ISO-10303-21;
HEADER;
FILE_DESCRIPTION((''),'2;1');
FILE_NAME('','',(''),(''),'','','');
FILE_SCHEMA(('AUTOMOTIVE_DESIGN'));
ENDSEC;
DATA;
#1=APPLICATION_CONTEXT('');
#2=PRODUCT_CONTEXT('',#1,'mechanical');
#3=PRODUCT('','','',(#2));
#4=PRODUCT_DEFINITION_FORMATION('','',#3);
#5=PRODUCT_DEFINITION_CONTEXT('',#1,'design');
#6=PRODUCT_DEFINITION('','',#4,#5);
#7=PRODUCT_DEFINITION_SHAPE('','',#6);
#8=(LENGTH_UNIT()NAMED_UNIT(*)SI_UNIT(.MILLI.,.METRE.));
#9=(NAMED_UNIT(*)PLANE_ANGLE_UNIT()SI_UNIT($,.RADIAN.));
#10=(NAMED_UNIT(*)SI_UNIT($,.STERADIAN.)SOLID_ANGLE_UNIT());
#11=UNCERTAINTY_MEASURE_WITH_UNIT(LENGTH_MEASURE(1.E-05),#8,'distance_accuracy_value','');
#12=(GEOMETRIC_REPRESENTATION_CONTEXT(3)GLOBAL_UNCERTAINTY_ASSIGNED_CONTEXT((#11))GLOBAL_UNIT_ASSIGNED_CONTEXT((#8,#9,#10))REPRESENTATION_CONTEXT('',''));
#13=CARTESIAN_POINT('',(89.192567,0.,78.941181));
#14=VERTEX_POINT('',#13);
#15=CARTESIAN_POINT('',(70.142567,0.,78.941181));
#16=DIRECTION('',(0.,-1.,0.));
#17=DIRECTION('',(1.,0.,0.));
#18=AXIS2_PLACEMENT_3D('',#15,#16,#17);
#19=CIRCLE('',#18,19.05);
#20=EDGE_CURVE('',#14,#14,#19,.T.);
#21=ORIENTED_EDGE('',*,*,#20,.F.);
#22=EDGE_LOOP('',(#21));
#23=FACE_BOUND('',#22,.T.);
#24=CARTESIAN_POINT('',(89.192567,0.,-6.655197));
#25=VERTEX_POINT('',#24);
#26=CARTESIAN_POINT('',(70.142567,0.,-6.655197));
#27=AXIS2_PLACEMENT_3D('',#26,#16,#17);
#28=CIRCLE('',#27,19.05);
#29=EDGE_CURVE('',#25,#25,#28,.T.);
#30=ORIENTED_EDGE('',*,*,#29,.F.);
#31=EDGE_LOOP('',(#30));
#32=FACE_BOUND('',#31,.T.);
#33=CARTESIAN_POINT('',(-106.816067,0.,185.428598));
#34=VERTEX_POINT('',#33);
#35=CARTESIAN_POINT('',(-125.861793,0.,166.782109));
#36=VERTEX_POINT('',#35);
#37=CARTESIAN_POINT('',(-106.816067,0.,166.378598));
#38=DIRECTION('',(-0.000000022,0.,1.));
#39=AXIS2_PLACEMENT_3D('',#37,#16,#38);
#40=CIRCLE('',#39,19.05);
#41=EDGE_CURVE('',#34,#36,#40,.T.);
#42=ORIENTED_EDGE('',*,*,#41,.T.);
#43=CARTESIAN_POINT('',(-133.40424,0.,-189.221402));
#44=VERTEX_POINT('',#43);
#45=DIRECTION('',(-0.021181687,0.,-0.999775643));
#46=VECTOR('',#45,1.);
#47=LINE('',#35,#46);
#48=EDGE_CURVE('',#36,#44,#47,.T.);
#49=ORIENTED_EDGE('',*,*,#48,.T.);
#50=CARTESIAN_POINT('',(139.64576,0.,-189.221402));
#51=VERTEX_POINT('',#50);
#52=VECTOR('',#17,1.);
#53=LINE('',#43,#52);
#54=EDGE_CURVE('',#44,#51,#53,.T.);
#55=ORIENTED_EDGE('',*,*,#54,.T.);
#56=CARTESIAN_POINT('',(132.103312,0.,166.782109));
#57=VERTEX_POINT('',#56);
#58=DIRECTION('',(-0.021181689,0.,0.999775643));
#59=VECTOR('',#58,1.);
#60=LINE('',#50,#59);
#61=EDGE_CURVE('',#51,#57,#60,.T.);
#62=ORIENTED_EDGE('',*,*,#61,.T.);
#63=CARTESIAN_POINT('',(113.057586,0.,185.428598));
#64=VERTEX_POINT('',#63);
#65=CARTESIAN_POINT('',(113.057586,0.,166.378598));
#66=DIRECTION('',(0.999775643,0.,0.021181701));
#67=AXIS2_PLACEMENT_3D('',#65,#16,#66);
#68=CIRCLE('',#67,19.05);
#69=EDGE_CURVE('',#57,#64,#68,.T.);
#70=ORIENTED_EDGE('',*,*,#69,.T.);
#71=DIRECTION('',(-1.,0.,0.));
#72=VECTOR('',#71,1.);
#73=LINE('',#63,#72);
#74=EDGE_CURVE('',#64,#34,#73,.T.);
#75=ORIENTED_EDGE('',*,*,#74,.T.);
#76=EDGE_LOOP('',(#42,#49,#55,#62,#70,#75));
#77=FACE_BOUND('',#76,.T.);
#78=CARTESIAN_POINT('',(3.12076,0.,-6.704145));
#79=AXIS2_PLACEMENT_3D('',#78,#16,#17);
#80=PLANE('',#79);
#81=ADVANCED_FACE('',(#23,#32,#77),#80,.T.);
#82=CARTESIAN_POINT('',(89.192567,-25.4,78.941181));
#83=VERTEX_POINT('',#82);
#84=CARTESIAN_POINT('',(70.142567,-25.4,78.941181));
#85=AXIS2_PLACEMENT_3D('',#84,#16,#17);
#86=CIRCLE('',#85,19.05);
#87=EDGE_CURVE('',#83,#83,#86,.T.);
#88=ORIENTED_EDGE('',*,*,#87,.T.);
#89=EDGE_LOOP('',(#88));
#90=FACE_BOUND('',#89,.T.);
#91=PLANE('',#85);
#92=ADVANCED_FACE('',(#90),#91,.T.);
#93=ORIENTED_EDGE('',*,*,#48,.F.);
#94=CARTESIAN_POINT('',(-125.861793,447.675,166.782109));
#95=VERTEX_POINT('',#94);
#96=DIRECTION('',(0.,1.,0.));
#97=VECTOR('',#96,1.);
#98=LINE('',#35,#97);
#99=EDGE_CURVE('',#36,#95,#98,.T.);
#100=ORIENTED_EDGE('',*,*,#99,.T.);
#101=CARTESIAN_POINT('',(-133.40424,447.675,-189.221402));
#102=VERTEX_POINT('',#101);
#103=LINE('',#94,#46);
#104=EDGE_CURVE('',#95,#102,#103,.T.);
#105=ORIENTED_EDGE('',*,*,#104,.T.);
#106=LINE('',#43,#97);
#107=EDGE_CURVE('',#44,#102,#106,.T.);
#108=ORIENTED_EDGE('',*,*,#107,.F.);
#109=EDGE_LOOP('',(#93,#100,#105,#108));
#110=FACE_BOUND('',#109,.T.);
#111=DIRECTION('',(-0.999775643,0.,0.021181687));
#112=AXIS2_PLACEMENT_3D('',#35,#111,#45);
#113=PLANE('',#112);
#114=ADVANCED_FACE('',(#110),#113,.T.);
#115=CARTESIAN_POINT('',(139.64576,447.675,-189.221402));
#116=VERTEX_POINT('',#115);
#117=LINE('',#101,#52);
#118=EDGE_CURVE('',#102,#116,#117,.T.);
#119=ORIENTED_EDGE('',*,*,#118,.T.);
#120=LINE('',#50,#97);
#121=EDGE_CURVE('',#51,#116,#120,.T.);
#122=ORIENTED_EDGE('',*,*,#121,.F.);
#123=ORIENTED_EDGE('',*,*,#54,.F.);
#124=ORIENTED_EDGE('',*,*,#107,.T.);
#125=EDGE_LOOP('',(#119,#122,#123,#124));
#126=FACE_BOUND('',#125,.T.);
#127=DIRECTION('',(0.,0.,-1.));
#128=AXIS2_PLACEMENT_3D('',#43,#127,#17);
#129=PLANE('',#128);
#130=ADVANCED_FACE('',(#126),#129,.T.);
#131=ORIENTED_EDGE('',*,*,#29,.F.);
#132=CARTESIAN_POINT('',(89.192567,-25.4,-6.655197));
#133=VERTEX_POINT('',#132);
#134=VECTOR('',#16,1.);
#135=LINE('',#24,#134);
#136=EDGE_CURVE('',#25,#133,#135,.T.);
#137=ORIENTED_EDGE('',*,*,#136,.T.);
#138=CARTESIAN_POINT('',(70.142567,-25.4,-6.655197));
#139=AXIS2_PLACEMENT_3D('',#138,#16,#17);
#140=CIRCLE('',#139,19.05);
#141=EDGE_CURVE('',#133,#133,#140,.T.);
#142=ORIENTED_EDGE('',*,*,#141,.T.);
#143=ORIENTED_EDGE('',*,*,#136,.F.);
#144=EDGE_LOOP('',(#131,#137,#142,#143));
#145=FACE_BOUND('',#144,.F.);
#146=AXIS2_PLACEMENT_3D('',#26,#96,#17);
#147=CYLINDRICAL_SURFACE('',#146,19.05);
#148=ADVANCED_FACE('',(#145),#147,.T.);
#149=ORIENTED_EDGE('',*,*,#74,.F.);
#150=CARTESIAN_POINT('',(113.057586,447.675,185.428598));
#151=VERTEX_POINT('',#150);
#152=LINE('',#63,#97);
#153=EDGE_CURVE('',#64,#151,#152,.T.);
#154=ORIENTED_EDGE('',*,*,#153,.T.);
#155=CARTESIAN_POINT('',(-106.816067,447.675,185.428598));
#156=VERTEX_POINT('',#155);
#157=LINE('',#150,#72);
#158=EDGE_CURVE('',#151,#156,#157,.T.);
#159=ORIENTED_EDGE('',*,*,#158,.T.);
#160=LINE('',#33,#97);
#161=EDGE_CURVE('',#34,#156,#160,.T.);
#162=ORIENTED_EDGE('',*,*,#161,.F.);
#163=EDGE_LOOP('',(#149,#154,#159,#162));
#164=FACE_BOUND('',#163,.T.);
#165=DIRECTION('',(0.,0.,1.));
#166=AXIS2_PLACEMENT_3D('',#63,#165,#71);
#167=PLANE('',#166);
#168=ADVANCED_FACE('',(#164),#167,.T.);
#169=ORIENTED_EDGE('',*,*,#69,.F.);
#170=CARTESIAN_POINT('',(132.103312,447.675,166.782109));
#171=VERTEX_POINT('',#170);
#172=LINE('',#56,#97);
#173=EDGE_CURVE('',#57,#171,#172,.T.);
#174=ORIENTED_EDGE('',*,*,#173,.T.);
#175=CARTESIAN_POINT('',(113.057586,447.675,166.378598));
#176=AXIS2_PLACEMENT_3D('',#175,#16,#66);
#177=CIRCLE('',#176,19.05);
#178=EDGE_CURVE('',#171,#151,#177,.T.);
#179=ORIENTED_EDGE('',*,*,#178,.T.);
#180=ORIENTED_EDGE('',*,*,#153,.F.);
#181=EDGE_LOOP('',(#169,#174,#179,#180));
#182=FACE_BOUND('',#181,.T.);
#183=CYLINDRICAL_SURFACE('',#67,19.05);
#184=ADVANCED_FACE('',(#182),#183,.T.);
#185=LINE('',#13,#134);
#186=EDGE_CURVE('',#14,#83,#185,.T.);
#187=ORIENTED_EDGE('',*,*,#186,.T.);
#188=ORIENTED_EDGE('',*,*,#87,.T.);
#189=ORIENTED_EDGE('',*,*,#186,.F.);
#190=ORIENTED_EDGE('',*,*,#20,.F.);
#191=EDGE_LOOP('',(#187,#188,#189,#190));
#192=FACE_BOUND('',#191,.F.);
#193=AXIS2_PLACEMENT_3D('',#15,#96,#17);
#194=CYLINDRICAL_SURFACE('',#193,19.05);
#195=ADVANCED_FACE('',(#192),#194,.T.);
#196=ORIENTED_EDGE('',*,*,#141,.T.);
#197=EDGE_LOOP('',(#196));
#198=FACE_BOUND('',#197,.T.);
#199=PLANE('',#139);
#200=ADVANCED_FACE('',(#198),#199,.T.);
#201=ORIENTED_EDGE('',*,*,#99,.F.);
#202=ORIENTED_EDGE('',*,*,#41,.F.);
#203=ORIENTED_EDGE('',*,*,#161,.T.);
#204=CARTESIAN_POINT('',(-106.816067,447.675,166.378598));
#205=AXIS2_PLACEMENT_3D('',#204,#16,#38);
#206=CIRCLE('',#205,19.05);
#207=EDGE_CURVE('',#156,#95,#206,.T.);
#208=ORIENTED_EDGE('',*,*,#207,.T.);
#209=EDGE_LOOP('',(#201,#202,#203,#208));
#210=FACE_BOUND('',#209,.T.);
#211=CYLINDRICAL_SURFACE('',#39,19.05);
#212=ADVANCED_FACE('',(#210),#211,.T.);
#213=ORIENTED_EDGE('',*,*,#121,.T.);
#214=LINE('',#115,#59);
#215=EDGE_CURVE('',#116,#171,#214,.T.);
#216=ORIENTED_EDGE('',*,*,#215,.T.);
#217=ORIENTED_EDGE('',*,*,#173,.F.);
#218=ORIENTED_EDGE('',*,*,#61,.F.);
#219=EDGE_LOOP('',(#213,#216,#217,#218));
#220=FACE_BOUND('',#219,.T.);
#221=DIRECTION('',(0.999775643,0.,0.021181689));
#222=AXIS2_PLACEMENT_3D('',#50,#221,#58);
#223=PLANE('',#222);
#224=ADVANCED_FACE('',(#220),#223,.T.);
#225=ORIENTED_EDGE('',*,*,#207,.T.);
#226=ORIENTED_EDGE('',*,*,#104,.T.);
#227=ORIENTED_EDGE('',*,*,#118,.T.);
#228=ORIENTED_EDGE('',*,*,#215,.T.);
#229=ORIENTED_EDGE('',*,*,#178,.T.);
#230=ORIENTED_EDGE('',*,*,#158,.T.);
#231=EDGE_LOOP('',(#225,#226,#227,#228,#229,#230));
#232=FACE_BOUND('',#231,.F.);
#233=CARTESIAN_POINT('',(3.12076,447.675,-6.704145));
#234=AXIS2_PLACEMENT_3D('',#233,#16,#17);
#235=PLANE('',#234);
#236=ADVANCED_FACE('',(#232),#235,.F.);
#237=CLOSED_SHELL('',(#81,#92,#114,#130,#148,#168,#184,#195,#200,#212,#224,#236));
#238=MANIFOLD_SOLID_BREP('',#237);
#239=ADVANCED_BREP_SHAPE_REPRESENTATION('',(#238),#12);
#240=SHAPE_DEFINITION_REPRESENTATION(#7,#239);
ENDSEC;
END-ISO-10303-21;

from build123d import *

# Parameters (mm, degrees)
F1_DEPTH = 447.675
F2_R     = 19.05
F3_DEPTH = 25.4


with BuildPart() as f1:
    # F0 (on Front) → F1 (new body)
    with BuildSketch(Plane.XZ):
        with BuildLine():
            Line((113.057586, 185.428598), (3.12076, 185.428598))
            Line((3.12076, 185.428598), (-106.816067, 185.428598))
            ThreePointArc((-106.816067, 185.428598), (-120.143025, 179.990897), (-125.861793, 166.782109))
            Line((-125.861793, 166.782109), (-133.40424, -189.221402))
            Line((-133.40424, -189.221402), (3.12076, -189.221402))
            Line((3.12076, -189.221402), (139.64576, -189.221402))
            Line((139.64576, -189.221402), (132.103312, 166.782109))
            ThreePointArc((132.103312, 166.782109), (126.384544, 179.990897), (113.057586, 185.428598))
        make_face()
    extrude(amount=-F1_DEPTH)

    # F2 (on face) → F3 (join)
    with BuildSketch(Plane.XZ):
        with Locations((70.142567, 78.941181)):
            Circle(F2_R)
        with Locations((70.142567, -6.655197)):
            Circle(F2_R)
    extrude(amount=F3_DEPTH)


solid = f1.part
